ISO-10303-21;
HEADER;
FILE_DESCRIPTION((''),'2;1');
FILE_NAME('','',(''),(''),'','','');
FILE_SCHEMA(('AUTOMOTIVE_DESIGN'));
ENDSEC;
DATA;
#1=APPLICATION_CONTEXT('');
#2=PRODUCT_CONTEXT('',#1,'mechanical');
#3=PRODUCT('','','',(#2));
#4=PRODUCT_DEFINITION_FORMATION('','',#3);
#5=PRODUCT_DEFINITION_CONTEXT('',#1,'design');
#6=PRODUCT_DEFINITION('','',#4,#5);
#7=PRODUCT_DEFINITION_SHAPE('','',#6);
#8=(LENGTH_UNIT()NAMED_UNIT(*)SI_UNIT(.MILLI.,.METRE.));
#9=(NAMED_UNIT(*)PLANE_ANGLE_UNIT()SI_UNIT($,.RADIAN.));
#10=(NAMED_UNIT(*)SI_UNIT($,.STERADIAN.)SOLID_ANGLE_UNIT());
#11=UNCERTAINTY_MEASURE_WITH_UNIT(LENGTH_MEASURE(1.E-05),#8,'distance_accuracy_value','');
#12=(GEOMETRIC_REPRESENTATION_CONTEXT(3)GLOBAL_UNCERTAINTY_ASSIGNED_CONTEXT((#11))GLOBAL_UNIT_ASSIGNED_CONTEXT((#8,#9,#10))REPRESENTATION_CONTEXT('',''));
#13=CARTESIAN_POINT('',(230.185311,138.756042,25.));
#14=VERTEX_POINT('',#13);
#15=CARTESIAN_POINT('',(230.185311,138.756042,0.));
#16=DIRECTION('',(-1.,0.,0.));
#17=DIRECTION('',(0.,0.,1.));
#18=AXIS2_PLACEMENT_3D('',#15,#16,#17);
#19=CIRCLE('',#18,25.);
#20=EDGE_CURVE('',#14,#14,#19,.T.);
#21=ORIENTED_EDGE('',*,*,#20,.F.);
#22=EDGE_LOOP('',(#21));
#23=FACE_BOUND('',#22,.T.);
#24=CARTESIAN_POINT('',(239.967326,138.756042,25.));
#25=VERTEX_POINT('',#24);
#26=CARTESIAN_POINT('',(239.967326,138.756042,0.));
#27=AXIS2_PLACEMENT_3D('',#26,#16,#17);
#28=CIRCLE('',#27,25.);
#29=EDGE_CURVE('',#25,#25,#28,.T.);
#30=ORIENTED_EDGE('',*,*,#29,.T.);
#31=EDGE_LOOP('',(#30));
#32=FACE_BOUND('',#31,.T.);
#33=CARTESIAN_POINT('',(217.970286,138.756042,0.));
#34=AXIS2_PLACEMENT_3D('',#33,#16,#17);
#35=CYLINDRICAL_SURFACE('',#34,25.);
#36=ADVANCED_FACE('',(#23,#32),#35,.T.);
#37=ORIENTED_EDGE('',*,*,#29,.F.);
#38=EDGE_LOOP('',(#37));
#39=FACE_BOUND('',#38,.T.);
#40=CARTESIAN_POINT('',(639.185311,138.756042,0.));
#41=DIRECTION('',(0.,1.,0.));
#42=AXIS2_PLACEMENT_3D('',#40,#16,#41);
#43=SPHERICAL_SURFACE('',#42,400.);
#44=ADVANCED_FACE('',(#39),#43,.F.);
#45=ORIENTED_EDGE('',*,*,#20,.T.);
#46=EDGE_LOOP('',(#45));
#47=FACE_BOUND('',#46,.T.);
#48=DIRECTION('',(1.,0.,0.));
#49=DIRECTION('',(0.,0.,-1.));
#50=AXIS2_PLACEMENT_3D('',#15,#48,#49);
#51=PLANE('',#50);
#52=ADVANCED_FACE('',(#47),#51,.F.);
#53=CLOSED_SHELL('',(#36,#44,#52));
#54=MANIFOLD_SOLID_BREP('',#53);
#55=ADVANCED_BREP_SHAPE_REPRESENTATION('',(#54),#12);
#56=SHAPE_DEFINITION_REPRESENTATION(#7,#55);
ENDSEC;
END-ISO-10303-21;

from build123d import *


with BuildPart() as part:
    # 草图1 → 旋转1 (revolve)
    with BuildSketch(Plane.XY):
        with BuildLine():
            Line((230.18531107, 138.756042247), (230.18531107, 163.756042247))
            Line((230.18531107, 163.756042247), (239.9673255, 163.756042247))
            ThreePointArc((239.9673255, 163.756042247), (239.380862476, 151.262156217), (239.185311067, 138.756042247))
            Line((239.185311067, 138.756042247), (230.18531107, 138.756042247))
        make_face()
    revolve(axis=Axis((217.970286004, 138.756042247, 0), (1, 0, 0)))


solid = part.part
